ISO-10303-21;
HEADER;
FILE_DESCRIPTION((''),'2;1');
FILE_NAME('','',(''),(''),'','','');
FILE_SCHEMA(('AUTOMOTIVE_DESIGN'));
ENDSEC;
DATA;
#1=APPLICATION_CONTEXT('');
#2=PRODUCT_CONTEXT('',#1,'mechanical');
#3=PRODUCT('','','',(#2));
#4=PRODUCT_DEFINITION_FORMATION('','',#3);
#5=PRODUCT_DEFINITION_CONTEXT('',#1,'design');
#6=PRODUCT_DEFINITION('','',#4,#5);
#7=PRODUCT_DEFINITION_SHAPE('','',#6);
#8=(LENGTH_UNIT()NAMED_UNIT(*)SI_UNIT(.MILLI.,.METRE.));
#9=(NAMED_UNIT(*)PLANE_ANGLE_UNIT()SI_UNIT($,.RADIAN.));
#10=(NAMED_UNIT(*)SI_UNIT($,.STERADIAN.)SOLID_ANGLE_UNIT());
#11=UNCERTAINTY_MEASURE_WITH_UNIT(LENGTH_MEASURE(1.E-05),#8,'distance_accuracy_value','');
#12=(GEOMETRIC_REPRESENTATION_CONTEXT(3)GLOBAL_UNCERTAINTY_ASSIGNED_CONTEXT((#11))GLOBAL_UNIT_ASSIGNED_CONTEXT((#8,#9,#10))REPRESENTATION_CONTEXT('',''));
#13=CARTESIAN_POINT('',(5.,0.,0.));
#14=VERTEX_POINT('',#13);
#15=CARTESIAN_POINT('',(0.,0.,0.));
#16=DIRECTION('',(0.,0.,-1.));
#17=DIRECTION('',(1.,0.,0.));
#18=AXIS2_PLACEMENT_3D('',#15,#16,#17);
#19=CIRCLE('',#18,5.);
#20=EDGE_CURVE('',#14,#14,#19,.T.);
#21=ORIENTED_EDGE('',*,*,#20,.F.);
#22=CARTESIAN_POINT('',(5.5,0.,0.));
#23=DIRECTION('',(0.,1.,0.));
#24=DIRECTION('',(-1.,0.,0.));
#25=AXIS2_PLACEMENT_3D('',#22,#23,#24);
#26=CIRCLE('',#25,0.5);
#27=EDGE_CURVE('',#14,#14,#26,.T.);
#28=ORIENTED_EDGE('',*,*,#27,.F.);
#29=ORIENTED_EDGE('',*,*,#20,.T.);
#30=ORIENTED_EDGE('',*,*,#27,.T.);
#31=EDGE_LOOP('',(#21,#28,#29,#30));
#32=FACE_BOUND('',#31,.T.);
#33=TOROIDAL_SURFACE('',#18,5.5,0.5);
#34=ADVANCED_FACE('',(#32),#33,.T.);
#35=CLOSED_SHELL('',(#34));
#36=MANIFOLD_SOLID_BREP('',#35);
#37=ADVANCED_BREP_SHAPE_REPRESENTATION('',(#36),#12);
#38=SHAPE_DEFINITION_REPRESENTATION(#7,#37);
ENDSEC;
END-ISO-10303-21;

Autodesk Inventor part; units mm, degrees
ref_plane "YZ Plane" through (0, 0, 0) normal (1, 0, 0) x (0, 1, 0)
ref_plane "XZ Plane" through (0, 0, 0) normal (0, 1, 0) x (-1, 0, 0)
ref_plane "XY Plane" through (0, 0, 0) normal (0, 0, 1) x (1, 0, 0)
sketch "Sketch1" plane through (0, 0, 0) normal (0, 1, 0) x (-1, 0, 0)
  circle A0 centre (-5.5, 0) radius 0.5
  line L0 (0, 0.5) -> (0, -0.5)
  line L1 (-5.5, 0.5) -> (-5.5, -0.5) construction
  point P0 (0, 0)
  point P1 (0, 0)
  dimension "d0" = 1
  dimension "d1" = 11
revolve "Revolution1" add sketch "Sketch1" angle 360 about axis through (0, 0, 0.5) along (0, 0, -1)
properties part number "ORing_1x10mm" material "Rubber"
